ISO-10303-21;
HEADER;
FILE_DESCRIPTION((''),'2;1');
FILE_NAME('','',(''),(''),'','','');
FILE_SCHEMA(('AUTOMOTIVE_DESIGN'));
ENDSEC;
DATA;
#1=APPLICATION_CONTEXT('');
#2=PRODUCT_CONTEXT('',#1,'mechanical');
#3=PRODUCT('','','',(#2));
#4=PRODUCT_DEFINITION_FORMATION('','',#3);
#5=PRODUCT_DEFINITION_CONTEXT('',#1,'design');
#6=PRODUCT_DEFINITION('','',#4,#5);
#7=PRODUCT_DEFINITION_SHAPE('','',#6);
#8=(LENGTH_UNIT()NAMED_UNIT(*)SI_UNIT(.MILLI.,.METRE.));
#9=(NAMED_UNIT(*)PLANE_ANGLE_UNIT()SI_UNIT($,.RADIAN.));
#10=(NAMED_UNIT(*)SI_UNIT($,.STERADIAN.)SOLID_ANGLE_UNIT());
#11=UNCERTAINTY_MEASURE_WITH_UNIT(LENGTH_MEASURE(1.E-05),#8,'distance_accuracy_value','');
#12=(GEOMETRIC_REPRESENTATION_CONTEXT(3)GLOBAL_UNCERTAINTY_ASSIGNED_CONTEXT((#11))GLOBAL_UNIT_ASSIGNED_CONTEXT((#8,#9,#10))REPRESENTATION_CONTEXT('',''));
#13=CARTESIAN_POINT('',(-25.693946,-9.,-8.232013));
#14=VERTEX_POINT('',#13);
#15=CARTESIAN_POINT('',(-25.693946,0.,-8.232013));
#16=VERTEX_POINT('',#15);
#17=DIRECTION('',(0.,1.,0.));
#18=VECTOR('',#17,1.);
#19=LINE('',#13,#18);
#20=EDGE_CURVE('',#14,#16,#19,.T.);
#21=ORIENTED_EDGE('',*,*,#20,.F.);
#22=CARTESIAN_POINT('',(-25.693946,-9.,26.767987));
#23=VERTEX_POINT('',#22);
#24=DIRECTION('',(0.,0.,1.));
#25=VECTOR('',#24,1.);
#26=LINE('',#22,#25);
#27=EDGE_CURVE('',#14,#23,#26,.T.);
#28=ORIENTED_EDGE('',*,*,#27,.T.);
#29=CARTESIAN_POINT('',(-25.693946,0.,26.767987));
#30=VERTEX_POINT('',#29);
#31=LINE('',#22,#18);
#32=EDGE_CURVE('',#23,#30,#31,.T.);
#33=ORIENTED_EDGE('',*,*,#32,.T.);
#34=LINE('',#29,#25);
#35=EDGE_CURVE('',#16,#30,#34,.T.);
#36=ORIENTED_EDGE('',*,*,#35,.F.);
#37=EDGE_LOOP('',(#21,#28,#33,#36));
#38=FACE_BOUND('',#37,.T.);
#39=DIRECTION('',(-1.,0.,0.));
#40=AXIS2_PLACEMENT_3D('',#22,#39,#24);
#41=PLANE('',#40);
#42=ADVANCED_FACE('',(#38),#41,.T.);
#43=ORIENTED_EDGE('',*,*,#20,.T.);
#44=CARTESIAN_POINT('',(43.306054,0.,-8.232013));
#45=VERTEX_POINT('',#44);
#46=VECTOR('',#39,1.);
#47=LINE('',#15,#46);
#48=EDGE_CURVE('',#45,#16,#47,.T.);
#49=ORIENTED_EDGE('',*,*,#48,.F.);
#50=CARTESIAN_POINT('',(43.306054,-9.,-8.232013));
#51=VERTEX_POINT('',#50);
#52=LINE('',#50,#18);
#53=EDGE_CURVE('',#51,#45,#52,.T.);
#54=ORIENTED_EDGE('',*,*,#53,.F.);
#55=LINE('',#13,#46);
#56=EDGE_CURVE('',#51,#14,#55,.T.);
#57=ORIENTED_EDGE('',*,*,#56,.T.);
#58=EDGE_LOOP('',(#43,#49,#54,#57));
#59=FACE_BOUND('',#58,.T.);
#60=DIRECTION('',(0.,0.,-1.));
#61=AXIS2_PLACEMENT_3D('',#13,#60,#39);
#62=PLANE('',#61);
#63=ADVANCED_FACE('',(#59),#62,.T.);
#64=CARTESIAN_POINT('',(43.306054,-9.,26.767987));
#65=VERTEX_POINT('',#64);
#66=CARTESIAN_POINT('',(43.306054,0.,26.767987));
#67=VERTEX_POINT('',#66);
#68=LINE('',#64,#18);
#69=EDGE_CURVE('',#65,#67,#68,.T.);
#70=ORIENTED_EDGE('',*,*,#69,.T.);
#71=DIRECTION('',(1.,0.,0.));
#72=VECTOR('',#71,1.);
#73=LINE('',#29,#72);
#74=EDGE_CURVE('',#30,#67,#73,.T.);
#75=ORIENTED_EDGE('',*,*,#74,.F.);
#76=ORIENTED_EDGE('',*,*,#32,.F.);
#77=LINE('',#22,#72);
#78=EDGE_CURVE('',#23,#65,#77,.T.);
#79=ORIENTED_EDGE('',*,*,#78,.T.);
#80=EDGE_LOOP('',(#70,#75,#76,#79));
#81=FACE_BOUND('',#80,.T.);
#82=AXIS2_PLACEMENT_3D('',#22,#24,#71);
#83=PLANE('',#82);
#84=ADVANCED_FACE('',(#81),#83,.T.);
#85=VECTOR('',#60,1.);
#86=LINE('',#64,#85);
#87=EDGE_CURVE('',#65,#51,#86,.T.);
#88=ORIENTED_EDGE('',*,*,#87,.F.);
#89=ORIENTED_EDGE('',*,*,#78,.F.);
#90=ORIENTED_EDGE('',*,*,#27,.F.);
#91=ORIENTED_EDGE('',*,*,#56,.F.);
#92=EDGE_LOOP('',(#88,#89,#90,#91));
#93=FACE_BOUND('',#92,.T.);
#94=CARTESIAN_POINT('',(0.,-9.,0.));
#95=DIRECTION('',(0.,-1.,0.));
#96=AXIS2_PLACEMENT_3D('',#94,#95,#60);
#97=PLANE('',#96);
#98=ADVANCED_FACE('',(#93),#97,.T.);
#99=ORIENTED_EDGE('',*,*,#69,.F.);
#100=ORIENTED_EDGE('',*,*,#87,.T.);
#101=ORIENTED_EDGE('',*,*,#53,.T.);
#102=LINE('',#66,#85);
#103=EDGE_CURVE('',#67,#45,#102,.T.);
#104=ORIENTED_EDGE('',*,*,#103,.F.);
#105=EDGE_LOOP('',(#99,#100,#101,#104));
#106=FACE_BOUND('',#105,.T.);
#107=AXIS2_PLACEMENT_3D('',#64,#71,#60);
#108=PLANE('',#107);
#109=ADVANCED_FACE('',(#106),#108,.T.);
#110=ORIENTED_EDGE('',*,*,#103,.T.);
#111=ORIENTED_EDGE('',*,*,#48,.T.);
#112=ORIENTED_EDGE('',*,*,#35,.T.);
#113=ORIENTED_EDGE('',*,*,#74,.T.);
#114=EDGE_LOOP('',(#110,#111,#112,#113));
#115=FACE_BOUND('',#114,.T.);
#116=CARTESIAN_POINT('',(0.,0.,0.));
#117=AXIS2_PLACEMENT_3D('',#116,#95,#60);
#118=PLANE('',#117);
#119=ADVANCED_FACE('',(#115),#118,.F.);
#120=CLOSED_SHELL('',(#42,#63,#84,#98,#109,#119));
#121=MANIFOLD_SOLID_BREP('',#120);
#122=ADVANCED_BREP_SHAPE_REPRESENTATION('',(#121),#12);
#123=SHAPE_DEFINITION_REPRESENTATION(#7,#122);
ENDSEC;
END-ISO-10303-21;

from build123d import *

# Parameters (mm, degrees)
SKETCH_4_W      = 69
SKETCH_4_H      = 35
EXTRUDE_1_DEPTH = 9


with BuildPart() as part:
    # 草图4 → 凸台-拉伸1 (new body)
    with BuildSketch(Plane(origin=(0, 0, 0), x_dir=(1, 0, 0), z_dir=(0, 1, 0))):
        with Locations((8.806054065, -9.267987481)):
            Rectangle(SKETCH_4_W, SKETCH_4_H)
    extrude(amount=-EXTRUDE_1_DEPTH)


solid = part.part
